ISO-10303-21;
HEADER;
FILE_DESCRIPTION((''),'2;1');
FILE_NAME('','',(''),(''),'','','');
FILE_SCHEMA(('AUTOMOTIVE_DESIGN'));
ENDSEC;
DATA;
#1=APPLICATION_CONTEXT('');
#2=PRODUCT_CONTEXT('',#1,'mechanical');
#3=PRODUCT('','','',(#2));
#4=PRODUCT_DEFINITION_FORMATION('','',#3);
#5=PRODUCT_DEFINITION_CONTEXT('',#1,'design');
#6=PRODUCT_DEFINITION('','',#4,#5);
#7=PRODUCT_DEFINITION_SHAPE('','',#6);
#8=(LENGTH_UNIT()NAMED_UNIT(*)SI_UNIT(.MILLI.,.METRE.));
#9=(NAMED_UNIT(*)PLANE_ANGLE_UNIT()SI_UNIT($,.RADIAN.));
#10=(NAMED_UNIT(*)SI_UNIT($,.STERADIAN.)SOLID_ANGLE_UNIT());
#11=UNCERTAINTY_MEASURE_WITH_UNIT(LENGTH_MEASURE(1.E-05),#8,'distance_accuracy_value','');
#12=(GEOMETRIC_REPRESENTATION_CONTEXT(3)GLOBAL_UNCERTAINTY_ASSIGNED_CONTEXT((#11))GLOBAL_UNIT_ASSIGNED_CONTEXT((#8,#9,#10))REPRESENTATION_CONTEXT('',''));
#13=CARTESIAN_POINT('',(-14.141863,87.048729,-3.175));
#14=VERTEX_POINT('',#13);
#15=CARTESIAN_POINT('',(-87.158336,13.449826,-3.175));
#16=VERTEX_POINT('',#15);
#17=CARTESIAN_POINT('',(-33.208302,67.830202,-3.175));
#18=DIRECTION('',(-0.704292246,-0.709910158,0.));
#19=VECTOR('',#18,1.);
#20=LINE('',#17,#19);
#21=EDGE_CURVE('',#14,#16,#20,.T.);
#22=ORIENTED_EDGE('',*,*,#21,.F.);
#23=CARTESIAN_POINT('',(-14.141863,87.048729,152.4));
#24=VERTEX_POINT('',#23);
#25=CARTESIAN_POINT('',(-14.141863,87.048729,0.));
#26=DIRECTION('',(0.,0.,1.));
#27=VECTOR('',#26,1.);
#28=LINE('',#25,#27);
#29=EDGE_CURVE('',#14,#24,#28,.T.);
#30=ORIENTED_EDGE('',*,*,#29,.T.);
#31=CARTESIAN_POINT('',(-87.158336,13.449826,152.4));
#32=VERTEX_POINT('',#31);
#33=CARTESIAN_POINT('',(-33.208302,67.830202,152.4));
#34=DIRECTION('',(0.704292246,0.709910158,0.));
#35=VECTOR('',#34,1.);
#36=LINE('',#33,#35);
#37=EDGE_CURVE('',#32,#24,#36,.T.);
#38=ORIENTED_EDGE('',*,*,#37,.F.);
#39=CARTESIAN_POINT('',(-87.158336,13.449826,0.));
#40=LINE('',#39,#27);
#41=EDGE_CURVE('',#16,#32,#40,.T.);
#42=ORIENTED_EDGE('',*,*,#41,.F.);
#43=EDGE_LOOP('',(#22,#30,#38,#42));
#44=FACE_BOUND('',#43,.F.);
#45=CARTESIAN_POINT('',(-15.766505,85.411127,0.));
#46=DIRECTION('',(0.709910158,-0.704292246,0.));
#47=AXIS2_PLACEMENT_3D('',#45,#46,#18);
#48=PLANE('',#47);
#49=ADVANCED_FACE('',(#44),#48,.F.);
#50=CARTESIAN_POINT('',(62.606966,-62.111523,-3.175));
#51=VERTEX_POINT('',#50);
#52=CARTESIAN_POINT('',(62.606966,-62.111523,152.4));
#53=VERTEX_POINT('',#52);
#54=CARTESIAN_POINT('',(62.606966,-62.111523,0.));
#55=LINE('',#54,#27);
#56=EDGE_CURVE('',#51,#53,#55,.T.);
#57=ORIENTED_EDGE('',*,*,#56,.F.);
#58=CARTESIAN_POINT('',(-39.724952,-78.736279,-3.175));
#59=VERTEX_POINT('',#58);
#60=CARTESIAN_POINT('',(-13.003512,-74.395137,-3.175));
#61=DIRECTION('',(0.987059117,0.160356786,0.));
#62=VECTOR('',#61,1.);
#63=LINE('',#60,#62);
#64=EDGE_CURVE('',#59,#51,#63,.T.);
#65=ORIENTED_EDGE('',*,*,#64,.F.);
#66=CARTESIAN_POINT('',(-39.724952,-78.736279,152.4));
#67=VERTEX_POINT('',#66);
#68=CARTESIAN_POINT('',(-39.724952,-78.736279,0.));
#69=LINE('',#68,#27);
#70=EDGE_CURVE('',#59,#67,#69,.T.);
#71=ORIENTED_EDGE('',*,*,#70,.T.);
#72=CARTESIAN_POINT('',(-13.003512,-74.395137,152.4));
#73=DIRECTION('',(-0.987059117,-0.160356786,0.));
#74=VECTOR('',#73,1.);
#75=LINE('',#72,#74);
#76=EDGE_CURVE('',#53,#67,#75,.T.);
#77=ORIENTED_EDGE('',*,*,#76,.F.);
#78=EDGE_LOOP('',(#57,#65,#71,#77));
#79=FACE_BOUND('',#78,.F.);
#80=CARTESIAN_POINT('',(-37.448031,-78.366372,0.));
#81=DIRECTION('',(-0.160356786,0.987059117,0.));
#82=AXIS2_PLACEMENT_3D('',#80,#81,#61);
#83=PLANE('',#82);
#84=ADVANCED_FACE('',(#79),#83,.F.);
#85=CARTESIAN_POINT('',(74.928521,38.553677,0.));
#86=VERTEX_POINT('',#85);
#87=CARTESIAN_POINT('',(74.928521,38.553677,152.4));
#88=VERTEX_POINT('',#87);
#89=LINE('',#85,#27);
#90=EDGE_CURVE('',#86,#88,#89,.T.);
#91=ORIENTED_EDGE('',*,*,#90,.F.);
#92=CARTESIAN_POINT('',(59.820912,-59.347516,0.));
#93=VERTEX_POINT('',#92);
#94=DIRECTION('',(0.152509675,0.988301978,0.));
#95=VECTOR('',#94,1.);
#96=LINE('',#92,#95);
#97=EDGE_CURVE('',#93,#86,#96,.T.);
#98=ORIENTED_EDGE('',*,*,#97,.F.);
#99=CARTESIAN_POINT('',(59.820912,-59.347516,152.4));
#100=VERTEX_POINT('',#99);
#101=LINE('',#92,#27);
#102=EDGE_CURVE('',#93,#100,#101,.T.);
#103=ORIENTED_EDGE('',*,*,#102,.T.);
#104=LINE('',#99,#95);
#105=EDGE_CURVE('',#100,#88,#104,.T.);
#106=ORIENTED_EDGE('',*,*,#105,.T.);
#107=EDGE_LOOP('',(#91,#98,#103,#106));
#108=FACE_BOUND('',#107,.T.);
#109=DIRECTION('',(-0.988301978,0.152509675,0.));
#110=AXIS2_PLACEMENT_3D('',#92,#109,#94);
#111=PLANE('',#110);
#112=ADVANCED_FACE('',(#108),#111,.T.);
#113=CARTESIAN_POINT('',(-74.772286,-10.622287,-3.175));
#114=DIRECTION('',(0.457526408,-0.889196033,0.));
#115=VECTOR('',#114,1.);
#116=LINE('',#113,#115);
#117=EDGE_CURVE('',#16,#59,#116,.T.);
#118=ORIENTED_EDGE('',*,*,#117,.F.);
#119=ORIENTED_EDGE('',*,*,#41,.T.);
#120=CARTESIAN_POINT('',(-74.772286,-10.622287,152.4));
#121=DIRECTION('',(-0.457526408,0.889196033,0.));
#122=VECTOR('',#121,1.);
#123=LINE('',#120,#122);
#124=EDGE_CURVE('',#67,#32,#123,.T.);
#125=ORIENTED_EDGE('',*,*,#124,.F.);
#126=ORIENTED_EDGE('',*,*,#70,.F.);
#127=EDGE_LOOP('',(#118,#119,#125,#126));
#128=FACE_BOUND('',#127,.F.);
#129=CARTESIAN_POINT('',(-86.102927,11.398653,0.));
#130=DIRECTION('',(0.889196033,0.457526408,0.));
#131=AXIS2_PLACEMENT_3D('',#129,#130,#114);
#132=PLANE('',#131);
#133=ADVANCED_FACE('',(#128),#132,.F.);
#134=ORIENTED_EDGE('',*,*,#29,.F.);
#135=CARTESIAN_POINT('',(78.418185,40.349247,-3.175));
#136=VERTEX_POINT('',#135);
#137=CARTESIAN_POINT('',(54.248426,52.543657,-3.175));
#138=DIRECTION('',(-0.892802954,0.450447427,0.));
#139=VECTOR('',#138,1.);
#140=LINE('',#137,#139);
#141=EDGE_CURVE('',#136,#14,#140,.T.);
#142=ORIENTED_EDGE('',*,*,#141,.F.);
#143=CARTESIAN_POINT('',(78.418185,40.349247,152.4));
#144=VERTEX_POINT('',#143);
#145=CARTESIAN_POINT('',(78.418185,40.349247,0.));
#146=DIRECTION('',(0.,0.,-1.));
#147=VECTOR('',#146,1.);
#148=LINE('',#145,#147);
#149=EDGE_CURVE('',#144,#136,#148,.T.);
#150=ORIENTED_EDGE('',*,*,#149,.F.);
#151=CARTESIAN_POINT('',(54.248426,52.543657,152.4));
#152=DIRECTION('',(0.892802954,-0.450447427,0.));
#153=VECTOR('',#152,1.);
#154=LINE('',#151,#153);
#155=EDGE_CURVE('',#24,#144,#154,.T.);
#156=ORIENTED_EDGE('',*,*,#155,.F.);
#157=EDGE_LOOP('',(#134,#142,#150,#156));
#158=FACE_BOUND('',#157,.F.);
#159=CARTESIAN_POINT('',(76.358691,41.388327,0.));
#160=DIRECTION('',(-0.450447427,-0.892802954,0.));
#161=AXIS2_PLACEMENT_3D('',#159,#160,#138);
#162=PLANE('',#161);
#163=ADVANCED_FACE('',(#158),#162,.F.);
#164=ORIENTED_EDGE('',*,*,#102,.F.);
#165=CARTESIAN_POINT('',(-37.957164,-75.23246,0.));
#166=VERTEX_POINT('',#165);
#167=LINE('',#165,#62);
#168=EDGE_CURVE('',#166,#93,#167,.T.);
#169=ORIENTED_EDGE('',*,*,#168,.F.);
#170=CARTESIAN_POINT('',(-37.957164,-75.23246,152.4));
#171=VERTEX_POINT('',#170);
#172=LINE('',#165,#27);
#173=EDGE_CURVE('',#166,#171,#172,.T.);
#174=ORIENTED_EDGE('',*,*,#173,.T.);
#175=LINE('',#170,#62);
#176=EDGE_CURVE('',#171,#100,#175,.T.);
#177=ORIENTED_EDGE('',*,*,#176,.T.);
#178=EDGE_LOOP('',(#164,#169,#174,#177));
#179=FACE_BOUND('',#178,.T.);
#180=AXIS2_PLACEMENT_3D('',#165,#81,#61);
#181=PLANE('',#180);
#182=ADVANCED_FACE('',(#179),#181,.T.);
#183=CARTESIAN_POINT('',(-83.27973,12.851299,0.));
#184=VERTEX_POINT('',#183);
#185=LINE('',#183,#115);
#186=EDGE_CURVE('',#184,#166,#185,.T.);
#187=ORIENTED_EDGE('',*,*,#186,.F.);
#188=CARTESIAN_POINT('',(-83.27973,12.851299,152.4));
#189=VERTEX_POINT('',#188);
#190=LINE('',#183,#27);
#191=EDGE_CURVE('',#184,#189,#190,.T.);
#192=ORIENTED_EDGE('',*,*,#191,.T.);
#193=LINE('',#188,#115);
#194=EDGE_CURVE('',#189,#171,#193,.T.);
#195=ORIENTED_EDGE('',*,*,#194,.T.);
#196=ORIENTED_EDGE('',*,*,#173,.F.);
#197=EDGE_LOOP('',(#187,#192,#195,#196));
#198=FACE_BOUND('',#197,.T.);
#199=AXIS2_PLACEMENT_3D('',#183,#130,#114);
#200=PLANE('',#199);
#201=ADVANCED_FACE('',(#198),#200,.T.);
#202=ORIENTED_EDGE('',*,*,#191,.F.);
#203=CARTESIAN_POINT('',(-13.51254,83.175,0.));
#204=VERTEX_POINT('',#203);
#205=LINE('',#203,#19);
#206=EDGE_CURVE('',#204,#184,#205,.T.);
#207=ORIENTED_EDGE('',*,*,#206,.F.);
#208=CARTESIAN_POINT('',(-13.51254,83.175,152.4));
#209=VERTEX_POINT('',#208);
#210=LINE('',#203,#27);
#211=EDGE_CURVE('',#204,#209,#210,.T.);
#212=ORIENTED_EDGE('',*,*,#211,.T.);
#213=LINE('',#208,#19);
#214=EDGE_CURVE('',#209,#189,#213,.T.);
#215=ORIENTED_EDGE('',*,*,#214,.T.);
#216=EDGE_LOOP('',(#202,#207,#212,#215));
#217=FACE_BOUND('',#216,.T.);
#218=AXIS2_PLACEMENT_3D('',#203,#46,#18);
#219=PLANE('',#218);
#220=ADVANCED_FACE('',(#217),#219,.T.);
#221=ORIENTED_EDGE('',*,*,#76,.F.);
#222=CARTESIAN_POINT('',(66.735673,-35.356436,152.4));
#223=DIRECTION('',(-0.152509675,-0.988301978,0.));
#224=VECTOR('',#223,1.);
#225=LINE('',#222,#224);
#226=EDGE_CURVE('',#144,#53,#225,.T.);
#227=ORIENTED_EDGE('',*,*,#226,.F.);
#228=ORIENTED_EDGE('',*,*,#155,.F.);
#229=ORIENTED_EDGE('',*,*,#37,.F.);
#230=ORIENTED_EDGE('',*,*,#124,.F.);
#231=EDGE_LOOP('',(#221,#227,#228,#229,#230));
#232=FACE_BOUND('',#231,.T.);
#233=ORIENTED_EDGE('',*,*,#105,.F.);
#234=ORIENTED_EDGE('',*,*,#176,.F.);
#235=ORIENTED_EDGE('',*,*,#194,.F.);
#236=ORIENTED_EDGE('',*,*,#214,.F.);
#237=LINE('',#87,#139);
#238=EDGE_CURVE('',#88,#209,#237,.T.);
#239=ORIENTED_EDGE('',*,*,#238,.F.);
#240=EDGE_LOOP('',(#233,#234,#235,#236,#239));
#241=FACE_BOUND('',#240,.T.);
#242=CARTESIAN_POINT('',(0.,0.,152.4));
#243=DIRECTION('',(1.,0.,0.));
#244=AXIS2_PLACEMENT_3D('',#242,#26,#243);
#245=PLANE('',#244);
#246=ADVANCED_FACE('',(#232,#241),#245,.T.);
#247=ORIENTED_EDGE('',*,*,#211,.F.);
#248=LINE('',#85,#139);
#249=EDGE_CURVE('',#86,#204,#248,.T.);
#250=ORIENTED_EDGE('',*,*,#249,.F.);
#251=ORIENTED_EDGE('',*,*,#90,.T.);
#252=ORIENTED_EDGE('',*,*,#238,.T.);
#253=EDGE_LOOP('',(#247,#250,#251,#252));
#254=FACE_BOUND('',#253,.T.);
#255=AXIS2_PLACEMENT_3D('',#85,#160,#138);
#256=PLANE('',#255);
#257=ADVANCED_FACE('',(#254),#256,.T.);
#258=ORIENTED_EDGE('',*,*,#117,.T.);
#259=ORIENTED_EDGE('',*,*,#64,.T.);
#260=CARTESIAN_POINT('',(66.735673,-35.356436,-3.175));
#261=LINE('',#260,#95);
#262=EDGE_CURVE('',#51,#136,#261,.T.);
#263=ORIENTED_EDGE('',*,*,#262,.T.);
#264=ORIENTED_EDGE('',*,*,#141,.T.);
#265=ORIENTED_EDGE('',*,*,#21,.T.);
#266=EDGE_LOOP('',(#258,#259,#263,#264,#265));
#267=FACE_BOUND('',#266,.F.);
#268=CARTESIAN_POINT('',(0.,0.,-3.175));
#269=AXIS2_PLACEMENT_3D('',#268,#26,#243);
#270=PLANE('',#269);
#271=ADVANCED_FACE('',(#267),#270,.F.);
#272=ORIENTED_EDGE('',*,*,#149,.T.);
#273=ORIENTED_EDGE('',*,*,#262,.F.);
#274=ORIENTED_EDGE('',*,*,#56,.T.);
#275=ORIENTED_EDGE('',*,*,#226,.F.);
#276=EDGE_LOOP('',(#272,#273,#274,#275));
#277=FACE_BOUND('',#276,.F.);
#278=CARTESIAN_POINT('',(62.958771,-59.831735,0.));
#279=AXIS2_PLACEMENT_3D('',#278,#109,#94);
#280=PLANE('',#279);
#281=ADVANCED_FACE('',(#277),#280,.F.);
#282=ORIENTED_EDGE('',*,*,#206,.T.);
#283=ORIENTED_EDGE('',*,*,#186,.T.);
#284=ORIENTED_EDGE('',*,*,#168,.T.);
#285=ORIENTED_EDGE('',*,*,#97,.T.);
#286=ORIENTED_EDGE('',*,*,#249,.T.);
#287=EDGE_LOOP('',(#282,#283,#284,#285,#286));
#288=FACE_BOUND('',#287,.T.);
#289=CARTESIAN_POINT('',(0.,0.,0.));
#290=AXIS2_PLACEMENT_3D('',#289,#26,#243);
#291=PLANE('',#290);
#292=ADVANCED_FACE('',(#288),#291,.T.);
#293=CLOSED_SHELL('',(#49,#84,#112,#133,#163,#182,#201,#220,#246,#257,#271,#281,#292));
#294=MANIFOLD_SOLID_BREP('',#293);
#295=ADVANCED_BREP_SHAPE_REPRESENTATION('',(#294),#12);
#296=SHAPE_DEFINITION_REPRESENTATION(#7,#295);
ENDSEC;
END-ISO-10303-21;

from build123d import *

# Parameters (mm, degrees)
F1_DEPTH = 152.4
F2_T     = 3.175


with BuildPart() as f1:
    # F0 (on Top) → F1 (new body)
    with BuildSketch(Plane.XY):
        Polygon((74.9285208503, 38.553677408), (-13.5125398199, 83.1749995257), (-83.2797297333, 12.8512993132), (-37.9571637292, -75.2324597506), (59.8209124321, -59.3475164963), align=None)
    extrude(amount=F1_DEPTH)

    # F2
    f2_openings = [f1.faces().sort_by_distance(p)[0] for p in [
        (0, 0, 152.4),
    ]]
    offset(amount=F2_T, openings=f2_openings, kind=Kind.INTERSECTION)


solid = f1.part
